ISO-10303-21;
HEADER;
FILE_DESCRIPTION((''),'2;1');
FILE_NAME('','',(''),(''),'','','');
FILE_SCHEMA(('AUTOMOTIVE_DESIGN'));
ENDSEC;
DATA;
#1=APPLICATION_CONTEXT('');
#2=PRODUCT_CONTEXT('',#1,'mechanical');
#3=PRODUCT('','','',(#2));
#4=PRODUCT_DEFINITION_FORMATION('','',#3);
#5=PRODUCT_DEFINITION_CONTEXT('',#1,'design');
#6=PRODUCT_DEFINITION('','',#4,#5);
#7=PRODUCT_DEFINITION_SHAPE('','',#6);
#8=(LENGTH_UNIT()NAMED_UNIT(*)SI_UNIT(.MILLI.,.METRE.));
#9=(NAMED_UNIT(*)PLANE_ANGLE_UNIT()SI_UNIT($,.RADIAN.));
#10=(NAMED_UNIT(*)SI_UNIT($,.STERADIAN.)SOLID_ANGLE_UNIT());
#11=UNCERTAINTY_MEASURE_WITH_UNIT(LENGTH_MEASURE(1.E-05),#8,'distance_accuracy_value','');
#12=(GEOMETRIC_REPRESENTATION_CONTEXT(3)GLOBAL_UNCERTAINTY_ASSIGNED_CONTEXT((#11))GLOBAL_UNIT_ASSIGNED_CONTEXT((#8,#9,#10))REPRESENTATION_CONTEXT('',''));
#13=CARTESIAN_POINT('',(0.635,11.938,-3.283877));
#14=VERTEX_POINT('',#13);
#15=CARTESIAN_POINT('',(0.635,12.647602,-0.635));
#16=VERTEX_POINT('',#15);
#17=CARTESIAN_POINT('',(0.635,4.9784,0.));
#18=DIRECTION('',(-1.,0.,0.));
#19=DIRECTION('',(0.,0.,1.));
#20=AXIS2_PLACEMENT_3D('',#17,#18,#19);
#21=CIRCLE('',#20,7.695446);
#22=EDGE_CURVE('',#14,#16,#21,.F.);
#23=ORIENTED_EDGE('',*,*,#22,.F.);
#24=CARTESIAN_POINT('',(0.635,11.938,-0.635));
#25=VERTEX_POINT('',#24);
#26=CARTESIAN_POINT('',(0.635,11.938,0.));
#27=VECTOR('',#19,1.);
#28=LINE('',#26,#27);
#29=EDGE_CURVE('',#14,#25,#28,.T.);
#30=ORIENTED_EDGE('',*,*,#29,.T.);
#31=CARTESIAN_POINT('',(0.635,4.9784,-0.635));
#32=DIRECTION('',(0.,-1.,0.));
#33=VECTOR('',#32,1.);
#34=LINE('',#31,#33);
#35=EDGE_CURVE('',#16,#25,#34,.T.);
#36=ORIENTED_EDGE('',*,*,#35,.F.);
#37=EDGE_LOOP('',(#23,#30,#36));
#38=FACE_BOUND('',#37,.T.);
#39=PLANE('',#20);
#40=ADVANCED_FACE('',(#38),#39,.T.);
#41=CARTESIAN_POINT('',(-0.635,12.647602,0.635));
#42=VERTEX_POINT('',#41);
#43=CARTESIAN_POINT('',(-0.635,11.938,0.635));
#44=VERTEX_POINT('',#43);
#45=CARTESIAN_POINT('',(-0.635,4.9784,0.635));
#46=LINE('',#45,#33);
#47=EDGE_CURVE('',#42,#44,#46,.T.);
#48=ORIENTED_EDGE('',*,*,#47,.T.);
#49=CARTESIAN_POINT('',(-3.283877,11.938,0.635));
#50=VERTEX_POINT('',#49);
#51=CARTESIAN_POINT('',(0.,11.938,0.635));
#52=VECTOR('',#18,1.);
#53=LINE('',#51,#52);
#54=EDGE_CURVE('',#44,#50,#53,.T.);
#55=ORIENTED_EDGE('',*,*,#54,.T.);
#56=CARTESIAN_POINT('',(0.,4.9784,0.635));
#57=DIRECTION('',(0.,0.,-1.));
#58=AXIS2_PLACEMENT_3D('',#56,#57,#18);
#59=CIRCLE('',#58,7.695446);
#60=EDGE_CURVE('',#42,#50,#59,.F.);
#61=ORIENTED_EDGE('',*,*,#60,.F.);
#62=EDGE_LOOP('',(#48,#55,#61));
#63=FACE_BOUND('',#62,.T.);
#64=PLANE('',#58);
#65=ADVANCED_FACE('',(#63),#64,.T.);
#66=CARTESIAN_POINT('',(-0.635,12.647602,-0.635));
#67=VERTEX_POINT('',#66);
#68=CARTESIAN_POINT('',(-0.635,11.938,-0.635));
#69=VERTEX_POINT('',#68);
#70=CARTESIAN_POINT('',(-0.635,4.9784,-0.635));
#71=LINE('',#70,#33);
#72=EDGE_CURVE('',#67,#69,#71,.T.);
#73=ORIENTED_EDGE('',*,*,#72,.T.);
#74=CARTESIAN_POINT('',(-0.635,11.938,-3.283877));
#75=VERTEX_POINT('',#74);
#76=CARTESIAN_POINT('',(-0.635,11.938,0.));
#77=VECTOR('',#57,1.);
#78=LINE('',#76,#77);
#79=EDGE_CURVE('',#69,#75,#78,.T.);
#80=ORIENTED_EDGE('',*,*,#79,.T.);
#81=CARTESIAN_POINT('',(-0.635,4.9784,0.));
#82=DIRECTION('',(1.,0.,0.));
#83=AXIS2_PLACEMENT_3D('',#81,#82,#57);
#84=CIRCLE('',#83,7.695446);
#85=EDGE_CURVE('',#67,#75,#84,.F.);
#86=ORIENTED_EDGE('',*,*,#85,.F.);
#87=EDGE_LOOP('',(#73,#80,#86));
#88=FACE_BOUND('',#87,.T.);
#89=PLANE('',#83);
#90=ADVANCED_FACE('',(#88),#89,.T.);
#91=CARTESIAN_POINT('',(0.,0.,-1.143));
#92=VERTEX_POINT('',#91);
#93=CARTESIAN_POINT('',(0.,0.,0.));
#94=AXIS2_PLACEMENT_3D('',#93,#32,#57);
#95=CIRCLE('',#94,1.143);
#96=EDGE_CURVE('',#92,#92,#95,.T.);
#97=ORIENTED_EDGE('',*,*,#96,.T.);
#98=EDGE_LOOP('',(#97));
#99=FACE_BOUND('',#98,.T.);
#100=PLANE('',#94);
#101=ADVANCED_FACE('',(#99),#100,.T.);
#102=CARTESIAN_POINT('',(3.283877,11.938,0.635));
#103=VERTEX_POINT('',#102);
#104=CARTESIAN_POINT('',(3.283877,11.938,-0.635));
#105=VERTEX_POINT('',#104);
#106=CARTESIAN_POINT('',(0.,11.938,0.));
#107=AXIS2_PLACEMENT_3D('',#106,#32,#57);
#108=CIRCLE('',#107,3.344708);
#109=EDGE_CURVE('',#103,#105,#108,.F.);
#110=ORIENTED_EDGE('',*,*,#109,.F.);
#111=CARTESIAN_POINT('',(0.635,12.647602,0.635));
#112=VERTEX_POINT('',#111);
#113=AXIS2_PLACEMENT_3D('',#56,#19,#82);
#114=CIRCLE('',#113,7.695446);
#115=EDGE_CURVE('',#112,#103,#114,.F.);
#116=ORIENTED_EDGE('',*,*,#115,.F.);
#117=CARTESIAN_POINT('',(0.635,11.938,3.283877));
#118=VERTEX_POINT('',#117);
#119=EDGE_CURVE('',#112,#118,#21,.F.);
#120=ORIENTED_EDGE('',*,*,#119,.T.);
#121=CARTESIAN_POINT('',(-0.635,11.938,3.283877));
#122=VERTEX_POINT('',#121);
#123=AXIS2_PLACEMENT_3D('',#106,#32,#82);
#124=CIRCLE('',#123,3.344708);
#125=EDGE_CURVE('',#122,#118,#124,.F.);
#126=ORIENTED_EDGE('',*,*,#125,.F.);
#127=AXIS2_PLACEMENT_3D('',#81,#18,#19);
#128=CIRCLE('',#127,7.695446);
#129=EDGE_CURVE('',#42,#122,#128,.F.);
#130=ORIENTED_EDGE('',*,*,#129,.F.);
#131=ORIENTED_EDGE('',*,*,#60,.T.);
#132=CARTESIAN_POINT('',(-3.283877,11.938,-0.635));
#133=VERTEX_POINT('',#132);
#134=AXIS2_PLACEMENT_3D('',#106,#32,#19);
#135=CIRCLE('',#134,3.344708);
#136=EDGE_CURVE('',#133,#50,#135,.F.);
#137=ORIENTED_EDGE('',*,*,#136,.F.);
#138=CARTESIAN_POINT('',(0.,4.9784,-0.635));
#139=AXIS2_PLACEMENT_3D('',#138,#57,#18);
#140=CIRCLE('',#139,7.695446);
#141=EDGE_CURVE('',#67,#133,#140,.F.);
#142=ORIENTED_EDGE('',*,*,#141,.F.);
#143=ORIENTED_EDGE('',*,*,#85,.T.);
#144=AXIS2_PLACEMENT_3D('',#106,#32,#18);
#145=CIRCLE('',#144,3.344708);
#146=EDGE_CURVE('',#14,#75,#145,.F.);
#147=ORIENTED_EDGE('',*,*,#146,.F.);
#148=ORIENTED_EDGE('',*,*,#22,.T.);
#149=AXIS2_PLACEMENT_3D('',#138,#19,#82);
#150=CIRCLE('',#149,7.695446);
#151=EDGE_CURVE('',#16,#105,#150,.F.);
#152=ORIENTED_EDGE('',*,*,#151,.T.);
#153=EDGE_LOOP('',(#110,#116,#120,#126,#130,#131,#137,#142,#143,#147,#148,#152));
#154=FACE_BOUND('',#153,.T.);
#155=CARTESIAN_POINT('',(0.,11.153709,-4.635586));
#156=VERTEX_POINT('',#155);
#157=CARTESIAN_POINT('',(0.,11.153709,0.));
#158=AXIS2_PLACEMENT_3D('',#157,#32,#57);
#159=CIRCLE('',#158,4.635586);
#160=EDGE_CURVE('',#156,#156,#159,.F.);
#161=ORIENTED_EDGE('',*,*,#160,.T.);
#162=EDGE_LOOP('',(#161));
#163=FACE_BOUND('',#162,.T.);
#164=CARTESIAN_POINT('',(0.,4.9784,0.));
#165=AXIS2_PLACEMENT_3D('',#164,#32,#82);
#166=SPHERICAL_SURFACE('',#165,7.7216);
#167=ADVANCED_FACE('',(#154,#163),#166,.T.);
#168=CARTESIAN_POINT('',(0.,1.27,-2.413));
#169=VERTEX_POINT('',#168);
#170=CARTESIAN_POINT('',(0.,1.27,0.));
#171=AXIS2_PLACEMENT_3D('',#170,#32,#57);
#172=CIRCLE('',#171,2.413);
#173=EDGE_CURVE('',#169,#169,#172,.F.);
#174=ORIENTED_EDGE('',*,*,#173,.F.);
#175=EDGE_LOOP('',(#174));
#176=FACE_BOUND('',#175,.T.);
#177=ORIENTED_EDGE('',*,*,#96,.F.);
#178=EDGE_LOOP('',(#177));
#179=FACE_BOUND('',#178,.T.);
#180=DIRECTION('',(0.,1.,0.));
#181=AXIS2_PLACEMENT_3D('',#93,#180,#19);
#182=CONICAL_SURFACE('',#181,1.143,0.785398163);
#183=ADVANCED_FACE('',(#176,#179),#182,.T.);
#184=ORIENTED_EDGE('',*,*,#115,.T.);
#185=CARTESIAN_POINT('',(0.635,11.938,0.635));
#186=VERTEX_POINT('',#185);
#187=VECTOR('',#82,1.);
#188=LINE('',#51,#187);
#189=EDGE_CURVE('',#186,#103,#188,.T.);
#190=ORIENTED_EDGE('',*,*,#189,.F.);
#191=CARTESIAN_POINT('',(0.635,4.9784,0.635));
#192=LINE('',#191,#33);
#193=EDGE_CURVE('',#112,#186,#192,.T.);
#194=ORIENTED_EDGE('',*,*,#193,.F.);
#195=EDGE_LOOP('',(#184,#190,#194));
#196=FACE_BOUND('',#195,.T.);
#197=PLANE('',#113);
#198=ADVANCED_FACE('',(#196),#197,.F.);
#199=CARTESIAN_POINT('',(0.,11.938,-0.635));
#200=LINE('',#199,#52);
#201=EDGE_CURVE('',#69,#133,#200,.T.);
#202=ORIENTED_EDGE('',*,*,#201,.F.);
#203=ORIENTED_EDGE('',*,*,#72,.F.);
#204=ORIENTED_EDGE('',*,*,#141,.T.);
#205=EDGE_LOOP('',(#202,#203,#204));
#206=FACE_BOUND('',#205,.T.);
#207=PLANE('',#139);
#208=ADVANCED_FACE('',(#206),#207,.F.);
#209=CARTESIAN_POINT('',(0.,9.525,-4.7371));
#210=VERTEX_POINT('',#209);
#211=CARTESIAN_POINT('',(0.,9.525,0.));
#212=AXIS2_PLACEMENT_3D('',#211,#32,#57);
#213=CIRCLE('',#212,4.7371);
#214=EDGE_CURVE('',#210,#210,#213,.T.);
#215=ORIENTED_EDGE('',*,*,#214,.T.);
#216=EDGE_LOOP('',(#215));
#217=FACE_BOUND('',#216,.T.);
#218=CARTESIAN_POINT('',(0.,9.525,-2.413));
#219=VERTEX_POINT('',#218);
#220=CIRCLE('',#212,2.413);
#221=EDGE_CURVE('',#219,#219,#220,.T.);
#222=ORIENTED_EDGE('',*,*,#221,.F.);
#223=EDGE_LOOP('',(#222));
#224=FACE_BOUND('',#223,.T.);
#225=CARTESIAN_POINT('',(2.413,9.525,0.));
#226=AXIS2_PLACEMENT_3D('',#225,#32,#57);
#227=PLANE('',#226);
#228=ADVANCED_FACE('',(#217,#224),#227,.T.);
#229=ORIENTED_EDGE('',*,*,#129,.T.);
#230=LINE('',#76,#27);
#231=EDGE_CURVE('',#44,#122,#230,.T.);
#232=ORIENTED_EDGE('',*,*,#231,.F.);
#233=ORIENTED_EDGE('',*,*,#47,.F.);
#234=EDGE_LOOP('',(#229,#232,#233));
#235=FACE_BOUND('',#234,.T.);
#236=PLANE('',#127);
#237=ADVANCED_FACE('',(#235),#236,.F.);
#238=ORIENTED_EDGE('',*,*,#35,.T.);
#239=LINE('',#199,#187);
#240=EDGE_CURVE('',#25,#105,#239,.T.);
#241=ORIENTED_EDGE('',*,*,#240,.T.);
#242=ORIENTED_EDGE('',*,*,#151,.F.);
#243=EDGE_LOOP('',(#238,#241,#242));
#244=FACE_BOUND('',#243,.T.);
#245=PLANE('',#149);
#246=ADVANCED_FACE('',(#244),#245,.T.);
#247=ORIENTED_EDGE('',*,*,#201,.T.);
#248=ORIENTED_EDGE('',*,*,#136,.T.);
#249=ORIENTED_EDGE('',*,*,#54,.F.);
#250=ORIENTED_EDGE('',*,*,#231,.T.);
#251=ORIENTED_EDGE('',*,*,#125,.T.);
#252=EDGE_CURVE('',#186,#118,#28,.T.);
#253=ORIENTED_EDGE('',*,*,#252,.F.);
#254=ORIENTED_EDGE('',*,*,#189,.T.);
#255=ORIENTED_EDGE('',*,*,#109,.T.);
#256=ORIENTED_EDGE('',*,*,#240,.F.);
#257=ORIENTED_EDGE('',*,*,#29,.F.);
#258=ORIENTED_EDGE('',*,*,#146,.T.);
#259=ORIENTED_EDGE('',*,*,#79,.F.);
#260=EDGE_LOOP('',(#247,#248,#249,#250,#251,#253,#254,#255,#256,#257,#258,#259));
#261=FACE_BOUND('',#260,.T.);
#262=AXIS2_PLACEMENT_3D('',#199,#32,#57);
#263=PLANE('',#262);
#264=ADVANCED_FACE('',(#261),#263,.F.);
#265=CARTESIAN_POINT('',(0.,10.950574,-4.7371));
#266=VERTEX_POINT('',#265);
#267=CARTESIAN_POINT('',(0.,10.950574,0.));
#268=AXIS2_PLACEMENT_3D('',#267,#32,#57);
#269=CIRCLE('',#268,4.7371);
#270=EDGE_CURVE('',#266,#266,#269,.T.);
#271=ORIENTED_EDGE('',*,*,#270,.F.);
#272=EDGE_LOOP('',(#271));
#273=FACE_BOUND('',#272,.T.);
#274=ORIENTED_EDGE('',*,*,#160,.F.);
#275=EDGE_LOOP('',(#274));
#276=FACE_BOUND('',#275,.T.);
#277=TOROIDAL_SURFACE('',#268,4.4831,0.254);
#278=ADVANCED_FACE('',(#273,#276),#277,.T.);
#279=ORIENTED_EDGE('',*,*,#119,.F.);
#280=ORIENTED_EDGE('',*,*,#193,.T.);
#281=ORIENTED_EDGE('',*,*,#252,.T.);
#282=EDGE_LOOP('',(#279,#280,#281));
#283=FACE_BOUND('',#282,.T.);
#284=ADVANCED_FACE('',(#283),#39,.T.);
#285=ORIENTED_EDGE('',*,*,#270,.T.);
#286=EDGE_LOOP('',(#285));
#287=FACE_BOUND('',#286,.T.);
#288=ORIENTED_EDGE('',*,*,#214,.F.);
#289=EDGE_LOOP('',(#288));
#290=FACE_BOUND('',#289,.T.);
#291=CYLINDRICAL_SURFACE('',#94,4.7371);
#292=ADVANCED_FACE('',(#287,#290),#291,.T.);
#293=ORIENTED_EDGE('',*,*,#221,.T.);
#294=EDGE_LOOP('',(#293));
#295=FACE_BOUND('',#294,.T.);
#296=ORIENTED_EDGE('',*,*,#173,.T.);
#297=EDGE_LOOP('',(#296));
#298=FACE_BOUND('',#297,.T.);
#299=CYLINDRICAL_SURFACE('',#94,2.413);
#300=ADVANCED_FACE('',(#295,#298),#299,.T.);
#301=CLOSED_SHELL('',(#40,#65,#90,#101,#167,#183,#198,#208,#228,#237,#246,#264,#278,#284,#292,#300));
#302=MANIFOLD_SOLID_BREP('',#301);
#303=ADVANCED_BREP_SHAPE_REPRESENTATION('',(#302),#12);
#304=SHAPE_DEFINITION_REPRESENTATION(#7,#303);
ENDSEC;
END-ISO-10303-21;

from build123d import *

# Parameters (mm, degrees)
CUT_EXTRUDE1_DEPTH = 0.635
CIRPATTERN1_COUNT  = 4
CHAMFER1_SIZE      = 1.27
FILLET1_R          = 0.254


with BuildPart() as part:
    # Sketch1 → Revolve1 (revolve)
    with BuildSketch(Plane.XY):
        with BuildLine():
            Line((0, 0), (2.413, 0))
            Line((2.413, 0), (2.413, 9.525))
            Line((2.413, 9.525), (4.7371, 9.525))
            Line((4.7371, 9.525), (4.7371, 11.076185676))
            ThreePointArc((4.7371, 11.076185676), (2.503841517, 12.282774321), (0, 12.7))
            Line((0, 12.7), (0, 0))
        make_face()
    revolve(axis=Axis((0, 0, 0), (0, 1, 0)))

    # Sketch2 → Cut-Extrude1 (cut, symmetric)
    with BuildSketch(Plane.XY):
        with BuildLine():
            Line((0, 12.7), (0, 11.938))
            Line((0, 11.938), (3.344708418, 11.938))
            ThreePointArc((3.344708418, 11.938), (1.71520541, 12.507090255), (0, 12.7))
        make_face()
    cut_extrude1 = extrude(amount=CUT_EXTRUDE1_DEPTH, both=True, mode=Mode.SUBTRACT)

    # CirPattern1: Cut-Extrude1 ×4 about axis
    cirpattern1_axis = Axis((0, 0, 0), (0, 1, 0))
    for i in range(1, CIRPATTERN1_COUNT):
        add(cut_extrude1.rotate(cirpattern1_axis, i * 360 / CIRPATTERN1_COUNT), mode=Mode.SUBTRACT)

    # Chamfer1
    chamfer1_edges = [part.edges().sort_by_distance(p)[0] for p in [
        (-2.413, 0, 0),
    ]]
    chamfer(chamfer1_edges, length=CHAMFER1_SIZE)

    # Fillet1
    fillet1_edges = [part.edges().sort_by_distance(p)[0] for p in [
        (-4.7371, 11.076185676, 0),
    ]]
    fillet(fillet1_edges, radius=FILLET1_R)


solid = part.part
